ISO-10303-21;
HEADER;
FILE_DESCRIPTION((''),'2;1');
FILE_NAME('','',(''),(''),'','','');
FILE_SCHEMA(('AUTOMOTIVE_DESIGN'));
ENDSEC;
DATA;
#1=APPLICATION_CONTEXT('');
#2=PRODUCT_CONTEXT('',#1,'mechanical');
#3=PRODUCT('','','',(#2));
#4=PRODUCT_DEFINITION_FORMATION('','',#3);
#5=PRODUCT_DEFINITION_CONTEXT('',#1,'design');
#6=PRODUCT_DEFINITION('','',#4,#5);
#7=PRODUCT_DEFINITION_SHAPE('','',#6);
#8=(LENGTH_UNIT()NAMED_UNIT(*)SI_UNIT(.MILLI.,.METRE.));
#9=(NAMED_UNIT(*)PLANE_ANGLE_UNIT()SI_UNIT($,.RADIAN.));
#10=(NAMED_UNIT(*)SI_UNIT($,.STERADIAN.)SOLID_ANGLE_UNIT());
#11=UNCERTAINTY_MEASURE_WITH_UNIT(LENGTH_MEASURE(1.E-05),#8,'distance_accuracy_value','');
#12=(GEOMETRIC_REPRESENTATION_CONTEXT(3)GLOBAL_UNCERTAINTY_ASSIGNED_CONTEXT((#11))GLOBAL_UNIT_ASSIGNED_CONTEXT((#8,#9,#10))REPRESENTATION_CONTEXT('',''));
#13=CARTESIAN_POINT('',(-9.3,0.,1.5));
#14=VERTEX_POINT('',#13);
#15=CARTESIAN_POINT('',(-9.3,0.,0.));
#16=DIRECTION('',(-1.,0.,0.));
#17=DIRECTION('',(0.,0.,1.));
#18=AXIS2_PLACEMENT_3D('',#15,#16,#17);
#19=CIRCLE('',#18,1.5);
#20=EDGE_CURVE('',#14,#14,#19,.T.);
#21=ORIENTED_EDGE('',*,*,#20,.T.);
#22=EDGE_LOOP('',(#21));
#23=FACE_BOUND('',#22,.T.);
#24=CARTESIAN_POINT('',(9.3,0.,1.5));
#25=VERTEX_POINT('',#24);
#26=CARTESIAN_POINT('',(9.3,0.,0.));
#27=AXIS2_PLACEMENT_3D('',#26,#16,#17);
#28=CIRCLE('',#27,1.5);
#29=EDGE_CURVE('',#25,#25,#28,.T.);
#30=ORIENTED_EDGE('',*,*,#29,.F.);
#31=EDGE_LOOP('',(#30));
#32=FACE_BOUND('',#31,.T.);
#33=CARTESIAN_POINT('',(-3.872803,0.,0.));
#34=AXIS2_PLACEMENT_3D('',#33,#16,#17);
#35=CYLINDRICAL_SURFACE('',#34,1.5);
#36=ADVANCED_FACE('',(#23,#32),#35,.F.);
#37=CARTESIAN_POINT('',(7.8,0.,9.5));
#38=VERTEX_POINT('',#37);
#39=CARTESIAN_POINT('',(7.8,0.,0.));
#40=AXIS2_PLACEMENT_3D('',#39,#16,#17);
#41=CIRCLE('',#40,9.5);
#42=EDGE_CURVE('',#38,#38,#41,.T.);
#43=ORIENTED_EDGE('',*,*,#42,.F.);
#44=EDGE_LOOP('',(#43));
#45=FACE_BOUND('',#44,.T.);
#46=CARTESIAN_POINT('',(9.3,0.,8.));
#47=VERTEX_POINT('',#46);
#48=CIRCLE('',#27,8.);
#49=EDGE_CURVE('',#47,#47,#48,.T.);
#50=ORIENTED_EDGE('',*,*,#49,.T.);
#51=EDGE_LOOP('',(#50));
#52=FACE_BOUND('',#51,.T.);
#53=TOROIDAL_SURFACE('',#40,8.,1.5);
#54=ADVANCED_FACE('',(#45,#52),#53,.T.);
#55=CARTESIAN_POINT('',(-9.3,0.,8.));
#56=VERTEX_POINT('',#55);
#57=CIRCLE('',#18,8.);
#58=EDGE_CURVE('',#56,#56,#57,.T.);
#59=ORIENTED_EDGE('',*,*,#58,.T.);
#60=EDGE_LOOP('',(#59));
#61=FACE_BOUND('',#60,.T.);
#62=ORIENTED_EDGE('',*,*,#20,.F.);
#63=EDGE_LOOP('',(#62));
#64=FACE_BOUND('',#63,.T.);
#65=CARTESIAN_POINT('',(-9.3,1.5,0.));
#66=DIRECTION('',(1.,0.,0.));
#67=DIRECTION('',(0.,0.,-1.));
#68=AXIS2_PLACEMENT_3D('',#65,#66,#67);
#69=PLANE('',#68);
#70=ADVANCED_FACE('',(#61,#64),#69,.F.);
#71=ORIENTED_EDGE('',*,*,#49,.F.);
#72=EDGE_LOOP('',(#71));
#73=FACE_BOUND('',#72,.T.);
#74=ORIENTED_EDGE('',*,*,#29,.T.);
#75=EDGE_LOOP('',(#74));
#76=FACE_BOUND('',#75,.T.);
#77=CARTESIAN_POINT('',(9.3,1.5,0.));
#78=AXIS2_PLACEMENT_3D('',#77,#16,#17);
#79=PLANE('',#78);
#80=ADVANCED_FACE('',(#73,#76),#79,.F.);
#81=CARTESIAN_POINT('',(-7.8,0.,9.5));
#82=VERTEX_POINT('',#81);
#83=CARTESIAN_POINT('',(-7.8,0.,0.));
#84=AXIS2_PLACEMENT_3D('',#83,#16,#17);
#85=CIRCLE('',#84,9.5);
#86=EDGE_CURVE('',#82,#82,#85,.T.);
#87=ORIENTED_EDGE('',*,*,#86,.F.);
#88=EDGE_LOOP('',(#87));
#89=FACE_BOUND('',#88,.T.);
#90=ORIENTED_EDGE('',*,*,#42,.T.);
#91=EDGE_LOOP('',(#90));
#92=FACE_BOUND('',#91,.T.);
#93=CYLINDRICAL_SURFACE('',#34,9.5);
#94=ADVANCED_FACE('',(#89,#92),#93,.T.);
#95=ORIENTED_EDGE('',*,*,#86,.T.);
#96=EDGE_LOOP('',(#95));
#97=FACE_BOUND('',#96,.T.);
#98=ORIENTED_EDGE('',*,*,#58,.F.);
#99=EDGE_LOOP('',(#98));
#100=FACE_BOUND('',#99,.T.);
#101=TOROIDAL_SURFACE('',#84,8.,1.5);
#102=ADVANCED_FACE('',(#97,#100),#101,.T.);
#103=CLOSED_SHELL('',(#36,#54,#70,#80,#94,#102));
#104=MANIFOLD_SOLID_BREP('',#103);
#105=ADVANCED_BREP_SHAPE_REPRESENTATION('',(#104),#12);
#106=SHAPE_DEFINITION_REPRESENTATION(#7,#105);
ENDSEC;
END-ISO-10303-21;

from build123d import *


with BuildPart() as part:
    # Sketch1 → Revolve1 (revolve)
    with BuildSketch(Plane.XY, mode=Mode.PRIVATE) as revolve1_sk:
        with BuildLine():
            Line((-9.3, 1.5), (9.3, 1.5))
            Line((9.3, 1.5), (9.3, 8))
            ThreePointArc((9.3, 8), (8.860660172, 9.060660172), (7.8, 9.5))
            Line((7.8, 9.5), (-7.8, 9.5))
            ThreePointArc((-7.8, 9.5), (-8.860660172, 9.060660172), (-9.3, 8))
            Line((-9.3, 8), (-9.3, 1.5))
        make_face()
    revolve(revolve1_sk.sketch.rotate(Axis((-3.872802753, 0, 0), (1, 0, 0)), 90), axis=Axis((-3.872802753, 0, 0), (1, 0, 0)))


solid = part.part
